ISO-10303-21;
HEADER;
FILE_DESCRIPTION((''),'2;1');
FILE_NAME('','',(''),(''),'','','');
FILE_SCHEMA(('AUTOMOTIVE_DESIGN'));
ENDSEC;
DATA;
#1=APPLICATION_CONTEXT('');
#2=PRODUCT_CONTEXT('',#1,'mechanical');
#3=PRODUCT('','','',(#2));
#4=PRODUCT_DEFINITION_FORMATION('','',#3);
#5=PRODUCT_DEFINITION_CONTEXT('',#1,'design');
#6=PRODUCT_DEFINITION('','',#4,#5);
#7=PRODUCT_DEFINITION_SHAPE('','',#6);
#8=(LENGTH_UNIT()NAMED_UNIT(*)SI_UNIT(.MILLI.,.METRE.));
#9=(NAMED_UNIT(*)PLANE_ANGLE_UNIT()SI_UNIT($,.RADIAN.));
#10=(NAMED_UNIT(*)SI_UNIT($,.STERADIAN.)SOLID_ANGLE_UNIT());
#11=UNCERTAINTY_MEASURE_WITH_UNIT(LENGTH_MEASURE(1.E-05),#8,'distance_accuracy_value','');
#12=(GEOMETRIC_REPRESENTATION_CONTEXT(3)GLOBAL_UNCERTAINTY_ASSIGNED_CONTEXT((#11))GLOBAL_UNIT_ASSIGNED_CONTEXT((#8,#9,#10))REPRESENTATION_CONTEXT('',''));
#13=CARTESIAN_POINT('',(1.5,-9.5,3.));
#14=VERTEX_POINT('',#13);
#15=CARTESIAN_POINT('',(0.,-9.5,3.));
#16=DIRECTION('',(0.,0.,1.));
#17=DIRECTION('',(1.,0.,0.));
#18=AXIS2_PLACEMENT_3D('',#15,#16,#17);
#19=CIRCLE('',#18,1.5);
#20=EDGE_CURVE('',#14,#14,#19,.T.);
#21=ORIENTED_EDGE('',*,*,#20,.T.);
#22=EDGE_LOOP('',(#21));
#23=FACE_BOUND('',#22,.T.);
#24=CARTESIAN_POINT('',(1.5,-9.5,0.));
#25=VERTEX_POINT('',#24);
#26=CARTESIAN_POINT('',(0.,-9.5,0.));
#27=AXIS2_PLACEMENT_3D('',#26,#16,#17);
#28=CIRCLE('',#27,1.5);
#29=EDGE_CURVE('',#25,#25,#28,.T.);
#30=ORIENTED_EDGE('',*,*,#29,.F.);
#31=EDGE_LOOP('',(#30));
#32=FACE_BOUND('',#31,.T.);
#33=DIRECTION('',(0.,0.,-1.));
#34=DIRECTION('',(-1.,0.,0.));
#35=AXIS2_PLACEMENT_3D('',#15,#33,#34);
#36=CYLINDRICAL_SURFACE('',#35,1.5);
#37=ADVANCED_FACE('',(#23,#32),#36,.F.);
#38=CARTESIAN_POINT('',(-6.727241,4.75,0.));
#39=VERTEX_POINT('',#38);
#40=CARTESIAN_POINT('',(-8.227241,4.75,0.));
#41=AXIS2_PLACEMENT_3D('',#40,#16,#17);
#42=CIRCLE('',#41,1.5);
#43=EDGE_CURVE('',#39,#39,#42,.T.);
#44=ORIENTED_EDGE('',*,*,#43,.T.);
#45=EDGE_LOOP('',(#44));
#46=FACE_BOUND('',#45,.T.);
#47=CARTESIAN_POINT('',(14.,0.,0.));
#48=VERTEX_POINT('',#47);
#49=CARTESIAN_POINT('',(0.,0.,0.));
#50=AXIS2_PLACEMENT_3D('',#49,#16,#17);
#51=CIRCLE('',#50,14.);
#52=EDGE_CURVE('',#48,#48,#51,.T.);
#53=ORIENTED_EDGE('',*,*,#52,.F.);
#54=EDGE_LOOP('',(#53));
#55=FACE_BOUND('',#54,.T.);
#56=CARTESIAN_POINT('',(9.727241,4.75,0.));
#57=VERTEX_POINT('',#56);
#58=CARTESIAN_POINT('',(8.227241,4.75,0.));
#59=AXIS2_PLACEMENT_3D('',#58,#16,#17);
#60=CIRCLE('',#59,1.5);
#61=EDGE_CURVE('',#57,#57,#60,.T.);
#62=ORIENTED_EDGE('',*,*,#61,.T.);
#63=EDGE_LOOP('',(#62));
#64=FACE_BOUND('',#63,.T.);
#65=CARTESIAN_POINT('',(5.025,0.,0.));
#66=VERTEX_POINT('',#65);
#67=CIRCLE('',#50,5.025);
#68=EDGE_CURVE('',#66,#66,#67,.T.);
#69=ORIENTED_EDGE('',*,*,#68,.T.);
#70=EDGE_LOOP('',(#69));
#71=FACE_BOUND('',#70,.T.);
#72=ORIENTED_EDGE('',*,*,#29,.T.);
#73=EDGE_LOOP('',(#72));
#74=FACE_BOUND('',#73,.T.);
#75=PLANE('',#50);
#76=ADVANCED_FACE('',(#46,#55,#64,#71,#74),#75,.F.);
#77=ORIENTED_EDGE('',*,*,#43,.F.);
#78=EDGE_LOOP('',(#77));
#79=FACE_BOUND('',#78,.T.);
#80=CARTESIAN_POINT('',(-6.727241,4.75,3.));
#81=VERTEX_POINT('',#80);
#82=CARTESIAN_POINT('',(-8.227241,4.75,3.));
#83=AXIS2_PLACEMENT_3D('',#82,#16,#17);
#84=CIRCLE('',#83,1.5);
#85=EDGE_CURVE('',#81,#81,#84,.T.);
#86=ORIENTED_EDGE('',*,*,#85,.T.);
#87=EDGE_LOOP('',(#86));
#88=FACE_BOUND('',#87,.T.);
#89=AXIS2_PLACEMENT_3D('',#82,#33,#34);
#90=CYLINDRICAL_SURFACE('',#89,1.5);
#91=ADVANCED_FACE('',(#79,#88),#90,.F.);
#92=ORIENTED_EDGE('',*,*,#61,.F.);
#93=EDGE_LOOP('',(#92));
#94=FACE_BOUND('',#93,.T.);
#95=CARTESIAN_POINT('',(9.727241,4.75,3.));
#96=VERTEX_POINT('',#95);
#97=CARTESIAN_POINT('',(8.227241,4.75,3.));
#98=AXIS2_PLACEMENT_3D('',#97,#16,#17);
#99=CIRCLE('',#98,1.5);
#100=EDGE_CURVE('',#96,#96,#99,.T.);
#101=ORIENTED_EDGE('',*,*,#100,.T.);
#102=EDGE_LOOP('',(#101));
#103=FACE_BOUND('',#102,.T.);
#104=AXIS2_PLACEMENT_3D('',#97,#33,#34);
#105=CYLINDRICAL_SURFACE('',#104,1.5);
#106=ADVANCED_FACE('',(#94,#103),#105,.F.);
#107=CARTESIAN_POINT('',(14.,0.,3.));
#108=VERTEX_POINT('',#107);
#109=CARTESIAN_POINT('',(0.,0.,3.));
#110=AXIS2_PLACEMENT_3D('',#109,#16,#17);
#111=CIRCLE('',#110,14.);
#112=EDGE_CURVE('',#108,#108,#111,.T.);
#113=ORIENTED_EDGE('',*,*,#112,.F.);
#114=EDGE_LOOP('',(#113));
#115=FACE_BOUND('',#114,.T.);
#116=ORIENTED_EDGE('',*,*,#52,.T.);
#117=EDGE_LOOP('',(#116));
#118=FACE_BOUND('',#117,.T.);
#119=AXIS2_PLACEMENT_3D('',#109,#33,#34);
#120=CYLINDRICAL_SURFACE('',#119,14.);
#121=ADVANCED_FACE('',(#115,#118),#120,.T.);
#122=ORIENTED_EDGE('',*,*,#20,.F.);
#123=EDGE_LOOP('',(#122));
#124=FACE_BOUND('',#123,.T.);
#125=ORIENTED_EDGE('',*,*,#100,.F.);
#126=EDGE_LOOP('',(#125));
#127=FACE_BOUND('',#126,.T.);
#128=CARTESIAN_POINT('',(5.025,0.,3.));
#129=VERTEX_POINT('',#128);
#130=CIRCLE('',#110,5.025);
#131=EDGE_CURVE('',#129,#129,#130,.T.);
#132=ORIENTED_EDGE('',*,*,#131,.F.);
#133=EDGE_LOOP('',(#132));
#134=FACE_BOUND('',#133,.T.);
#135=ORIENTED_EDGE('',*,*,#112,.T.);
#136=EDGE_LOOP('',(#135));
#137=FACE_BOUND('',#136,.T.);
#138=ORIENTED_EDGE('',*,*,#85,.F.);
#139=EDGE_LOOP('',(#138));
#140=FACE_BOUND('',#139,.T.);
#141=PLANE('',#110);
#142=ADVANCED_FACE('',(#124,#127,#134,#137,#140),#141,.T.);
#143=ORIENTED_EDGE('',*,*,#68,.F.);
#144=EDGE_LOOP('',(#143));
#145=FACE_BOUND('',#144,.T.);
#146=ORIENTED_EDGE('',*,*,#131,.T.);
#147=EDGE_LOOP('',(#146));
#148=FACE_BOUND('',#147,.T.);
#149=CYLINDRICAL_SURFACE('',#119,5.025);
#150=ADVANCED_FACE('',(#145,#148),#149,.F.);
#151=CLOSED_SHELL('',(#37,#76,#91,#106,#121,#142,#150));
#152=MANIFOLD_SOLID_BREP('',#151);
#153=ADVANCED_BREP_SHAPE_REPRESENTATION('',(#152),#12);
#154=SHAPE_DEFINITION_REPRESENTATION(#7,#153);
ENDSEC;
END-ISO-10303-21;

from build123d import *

# Parameters (mm, degrees)
SKETCH_1_R      = 14
SKETCH_1_R_2    = 5.025
SKETCH_1_R_3    = 1.5
EXTRUDE_1_DEPTH = 3


with BuildPart() as part:
    # 草图1 → 凸台-拉伸1 (new body)
    with BuildSketch(Plane.XY):
        Circle(SKETCH_1_R)
        Circle(SKETCH_1_R_2, mode=Mode.SUBTRACT)
        with Locations((0, -9.5)):
            Circle(SKETCH_1_R_3, mode=Mode.SUBTRACT)
        with Locations((-8.227241336, 4.75)):
            Circle(SKETCH_1_R_3, mode=Mode.SUBTRACT)
        with Locations((8.227241336, 4.75)):
            Circle(SKETCH_1_R_3, mode=Mode.SUBTRACT)
    extrude(amount=EXTRUDE_1_DEPTH)


solid = part.part
